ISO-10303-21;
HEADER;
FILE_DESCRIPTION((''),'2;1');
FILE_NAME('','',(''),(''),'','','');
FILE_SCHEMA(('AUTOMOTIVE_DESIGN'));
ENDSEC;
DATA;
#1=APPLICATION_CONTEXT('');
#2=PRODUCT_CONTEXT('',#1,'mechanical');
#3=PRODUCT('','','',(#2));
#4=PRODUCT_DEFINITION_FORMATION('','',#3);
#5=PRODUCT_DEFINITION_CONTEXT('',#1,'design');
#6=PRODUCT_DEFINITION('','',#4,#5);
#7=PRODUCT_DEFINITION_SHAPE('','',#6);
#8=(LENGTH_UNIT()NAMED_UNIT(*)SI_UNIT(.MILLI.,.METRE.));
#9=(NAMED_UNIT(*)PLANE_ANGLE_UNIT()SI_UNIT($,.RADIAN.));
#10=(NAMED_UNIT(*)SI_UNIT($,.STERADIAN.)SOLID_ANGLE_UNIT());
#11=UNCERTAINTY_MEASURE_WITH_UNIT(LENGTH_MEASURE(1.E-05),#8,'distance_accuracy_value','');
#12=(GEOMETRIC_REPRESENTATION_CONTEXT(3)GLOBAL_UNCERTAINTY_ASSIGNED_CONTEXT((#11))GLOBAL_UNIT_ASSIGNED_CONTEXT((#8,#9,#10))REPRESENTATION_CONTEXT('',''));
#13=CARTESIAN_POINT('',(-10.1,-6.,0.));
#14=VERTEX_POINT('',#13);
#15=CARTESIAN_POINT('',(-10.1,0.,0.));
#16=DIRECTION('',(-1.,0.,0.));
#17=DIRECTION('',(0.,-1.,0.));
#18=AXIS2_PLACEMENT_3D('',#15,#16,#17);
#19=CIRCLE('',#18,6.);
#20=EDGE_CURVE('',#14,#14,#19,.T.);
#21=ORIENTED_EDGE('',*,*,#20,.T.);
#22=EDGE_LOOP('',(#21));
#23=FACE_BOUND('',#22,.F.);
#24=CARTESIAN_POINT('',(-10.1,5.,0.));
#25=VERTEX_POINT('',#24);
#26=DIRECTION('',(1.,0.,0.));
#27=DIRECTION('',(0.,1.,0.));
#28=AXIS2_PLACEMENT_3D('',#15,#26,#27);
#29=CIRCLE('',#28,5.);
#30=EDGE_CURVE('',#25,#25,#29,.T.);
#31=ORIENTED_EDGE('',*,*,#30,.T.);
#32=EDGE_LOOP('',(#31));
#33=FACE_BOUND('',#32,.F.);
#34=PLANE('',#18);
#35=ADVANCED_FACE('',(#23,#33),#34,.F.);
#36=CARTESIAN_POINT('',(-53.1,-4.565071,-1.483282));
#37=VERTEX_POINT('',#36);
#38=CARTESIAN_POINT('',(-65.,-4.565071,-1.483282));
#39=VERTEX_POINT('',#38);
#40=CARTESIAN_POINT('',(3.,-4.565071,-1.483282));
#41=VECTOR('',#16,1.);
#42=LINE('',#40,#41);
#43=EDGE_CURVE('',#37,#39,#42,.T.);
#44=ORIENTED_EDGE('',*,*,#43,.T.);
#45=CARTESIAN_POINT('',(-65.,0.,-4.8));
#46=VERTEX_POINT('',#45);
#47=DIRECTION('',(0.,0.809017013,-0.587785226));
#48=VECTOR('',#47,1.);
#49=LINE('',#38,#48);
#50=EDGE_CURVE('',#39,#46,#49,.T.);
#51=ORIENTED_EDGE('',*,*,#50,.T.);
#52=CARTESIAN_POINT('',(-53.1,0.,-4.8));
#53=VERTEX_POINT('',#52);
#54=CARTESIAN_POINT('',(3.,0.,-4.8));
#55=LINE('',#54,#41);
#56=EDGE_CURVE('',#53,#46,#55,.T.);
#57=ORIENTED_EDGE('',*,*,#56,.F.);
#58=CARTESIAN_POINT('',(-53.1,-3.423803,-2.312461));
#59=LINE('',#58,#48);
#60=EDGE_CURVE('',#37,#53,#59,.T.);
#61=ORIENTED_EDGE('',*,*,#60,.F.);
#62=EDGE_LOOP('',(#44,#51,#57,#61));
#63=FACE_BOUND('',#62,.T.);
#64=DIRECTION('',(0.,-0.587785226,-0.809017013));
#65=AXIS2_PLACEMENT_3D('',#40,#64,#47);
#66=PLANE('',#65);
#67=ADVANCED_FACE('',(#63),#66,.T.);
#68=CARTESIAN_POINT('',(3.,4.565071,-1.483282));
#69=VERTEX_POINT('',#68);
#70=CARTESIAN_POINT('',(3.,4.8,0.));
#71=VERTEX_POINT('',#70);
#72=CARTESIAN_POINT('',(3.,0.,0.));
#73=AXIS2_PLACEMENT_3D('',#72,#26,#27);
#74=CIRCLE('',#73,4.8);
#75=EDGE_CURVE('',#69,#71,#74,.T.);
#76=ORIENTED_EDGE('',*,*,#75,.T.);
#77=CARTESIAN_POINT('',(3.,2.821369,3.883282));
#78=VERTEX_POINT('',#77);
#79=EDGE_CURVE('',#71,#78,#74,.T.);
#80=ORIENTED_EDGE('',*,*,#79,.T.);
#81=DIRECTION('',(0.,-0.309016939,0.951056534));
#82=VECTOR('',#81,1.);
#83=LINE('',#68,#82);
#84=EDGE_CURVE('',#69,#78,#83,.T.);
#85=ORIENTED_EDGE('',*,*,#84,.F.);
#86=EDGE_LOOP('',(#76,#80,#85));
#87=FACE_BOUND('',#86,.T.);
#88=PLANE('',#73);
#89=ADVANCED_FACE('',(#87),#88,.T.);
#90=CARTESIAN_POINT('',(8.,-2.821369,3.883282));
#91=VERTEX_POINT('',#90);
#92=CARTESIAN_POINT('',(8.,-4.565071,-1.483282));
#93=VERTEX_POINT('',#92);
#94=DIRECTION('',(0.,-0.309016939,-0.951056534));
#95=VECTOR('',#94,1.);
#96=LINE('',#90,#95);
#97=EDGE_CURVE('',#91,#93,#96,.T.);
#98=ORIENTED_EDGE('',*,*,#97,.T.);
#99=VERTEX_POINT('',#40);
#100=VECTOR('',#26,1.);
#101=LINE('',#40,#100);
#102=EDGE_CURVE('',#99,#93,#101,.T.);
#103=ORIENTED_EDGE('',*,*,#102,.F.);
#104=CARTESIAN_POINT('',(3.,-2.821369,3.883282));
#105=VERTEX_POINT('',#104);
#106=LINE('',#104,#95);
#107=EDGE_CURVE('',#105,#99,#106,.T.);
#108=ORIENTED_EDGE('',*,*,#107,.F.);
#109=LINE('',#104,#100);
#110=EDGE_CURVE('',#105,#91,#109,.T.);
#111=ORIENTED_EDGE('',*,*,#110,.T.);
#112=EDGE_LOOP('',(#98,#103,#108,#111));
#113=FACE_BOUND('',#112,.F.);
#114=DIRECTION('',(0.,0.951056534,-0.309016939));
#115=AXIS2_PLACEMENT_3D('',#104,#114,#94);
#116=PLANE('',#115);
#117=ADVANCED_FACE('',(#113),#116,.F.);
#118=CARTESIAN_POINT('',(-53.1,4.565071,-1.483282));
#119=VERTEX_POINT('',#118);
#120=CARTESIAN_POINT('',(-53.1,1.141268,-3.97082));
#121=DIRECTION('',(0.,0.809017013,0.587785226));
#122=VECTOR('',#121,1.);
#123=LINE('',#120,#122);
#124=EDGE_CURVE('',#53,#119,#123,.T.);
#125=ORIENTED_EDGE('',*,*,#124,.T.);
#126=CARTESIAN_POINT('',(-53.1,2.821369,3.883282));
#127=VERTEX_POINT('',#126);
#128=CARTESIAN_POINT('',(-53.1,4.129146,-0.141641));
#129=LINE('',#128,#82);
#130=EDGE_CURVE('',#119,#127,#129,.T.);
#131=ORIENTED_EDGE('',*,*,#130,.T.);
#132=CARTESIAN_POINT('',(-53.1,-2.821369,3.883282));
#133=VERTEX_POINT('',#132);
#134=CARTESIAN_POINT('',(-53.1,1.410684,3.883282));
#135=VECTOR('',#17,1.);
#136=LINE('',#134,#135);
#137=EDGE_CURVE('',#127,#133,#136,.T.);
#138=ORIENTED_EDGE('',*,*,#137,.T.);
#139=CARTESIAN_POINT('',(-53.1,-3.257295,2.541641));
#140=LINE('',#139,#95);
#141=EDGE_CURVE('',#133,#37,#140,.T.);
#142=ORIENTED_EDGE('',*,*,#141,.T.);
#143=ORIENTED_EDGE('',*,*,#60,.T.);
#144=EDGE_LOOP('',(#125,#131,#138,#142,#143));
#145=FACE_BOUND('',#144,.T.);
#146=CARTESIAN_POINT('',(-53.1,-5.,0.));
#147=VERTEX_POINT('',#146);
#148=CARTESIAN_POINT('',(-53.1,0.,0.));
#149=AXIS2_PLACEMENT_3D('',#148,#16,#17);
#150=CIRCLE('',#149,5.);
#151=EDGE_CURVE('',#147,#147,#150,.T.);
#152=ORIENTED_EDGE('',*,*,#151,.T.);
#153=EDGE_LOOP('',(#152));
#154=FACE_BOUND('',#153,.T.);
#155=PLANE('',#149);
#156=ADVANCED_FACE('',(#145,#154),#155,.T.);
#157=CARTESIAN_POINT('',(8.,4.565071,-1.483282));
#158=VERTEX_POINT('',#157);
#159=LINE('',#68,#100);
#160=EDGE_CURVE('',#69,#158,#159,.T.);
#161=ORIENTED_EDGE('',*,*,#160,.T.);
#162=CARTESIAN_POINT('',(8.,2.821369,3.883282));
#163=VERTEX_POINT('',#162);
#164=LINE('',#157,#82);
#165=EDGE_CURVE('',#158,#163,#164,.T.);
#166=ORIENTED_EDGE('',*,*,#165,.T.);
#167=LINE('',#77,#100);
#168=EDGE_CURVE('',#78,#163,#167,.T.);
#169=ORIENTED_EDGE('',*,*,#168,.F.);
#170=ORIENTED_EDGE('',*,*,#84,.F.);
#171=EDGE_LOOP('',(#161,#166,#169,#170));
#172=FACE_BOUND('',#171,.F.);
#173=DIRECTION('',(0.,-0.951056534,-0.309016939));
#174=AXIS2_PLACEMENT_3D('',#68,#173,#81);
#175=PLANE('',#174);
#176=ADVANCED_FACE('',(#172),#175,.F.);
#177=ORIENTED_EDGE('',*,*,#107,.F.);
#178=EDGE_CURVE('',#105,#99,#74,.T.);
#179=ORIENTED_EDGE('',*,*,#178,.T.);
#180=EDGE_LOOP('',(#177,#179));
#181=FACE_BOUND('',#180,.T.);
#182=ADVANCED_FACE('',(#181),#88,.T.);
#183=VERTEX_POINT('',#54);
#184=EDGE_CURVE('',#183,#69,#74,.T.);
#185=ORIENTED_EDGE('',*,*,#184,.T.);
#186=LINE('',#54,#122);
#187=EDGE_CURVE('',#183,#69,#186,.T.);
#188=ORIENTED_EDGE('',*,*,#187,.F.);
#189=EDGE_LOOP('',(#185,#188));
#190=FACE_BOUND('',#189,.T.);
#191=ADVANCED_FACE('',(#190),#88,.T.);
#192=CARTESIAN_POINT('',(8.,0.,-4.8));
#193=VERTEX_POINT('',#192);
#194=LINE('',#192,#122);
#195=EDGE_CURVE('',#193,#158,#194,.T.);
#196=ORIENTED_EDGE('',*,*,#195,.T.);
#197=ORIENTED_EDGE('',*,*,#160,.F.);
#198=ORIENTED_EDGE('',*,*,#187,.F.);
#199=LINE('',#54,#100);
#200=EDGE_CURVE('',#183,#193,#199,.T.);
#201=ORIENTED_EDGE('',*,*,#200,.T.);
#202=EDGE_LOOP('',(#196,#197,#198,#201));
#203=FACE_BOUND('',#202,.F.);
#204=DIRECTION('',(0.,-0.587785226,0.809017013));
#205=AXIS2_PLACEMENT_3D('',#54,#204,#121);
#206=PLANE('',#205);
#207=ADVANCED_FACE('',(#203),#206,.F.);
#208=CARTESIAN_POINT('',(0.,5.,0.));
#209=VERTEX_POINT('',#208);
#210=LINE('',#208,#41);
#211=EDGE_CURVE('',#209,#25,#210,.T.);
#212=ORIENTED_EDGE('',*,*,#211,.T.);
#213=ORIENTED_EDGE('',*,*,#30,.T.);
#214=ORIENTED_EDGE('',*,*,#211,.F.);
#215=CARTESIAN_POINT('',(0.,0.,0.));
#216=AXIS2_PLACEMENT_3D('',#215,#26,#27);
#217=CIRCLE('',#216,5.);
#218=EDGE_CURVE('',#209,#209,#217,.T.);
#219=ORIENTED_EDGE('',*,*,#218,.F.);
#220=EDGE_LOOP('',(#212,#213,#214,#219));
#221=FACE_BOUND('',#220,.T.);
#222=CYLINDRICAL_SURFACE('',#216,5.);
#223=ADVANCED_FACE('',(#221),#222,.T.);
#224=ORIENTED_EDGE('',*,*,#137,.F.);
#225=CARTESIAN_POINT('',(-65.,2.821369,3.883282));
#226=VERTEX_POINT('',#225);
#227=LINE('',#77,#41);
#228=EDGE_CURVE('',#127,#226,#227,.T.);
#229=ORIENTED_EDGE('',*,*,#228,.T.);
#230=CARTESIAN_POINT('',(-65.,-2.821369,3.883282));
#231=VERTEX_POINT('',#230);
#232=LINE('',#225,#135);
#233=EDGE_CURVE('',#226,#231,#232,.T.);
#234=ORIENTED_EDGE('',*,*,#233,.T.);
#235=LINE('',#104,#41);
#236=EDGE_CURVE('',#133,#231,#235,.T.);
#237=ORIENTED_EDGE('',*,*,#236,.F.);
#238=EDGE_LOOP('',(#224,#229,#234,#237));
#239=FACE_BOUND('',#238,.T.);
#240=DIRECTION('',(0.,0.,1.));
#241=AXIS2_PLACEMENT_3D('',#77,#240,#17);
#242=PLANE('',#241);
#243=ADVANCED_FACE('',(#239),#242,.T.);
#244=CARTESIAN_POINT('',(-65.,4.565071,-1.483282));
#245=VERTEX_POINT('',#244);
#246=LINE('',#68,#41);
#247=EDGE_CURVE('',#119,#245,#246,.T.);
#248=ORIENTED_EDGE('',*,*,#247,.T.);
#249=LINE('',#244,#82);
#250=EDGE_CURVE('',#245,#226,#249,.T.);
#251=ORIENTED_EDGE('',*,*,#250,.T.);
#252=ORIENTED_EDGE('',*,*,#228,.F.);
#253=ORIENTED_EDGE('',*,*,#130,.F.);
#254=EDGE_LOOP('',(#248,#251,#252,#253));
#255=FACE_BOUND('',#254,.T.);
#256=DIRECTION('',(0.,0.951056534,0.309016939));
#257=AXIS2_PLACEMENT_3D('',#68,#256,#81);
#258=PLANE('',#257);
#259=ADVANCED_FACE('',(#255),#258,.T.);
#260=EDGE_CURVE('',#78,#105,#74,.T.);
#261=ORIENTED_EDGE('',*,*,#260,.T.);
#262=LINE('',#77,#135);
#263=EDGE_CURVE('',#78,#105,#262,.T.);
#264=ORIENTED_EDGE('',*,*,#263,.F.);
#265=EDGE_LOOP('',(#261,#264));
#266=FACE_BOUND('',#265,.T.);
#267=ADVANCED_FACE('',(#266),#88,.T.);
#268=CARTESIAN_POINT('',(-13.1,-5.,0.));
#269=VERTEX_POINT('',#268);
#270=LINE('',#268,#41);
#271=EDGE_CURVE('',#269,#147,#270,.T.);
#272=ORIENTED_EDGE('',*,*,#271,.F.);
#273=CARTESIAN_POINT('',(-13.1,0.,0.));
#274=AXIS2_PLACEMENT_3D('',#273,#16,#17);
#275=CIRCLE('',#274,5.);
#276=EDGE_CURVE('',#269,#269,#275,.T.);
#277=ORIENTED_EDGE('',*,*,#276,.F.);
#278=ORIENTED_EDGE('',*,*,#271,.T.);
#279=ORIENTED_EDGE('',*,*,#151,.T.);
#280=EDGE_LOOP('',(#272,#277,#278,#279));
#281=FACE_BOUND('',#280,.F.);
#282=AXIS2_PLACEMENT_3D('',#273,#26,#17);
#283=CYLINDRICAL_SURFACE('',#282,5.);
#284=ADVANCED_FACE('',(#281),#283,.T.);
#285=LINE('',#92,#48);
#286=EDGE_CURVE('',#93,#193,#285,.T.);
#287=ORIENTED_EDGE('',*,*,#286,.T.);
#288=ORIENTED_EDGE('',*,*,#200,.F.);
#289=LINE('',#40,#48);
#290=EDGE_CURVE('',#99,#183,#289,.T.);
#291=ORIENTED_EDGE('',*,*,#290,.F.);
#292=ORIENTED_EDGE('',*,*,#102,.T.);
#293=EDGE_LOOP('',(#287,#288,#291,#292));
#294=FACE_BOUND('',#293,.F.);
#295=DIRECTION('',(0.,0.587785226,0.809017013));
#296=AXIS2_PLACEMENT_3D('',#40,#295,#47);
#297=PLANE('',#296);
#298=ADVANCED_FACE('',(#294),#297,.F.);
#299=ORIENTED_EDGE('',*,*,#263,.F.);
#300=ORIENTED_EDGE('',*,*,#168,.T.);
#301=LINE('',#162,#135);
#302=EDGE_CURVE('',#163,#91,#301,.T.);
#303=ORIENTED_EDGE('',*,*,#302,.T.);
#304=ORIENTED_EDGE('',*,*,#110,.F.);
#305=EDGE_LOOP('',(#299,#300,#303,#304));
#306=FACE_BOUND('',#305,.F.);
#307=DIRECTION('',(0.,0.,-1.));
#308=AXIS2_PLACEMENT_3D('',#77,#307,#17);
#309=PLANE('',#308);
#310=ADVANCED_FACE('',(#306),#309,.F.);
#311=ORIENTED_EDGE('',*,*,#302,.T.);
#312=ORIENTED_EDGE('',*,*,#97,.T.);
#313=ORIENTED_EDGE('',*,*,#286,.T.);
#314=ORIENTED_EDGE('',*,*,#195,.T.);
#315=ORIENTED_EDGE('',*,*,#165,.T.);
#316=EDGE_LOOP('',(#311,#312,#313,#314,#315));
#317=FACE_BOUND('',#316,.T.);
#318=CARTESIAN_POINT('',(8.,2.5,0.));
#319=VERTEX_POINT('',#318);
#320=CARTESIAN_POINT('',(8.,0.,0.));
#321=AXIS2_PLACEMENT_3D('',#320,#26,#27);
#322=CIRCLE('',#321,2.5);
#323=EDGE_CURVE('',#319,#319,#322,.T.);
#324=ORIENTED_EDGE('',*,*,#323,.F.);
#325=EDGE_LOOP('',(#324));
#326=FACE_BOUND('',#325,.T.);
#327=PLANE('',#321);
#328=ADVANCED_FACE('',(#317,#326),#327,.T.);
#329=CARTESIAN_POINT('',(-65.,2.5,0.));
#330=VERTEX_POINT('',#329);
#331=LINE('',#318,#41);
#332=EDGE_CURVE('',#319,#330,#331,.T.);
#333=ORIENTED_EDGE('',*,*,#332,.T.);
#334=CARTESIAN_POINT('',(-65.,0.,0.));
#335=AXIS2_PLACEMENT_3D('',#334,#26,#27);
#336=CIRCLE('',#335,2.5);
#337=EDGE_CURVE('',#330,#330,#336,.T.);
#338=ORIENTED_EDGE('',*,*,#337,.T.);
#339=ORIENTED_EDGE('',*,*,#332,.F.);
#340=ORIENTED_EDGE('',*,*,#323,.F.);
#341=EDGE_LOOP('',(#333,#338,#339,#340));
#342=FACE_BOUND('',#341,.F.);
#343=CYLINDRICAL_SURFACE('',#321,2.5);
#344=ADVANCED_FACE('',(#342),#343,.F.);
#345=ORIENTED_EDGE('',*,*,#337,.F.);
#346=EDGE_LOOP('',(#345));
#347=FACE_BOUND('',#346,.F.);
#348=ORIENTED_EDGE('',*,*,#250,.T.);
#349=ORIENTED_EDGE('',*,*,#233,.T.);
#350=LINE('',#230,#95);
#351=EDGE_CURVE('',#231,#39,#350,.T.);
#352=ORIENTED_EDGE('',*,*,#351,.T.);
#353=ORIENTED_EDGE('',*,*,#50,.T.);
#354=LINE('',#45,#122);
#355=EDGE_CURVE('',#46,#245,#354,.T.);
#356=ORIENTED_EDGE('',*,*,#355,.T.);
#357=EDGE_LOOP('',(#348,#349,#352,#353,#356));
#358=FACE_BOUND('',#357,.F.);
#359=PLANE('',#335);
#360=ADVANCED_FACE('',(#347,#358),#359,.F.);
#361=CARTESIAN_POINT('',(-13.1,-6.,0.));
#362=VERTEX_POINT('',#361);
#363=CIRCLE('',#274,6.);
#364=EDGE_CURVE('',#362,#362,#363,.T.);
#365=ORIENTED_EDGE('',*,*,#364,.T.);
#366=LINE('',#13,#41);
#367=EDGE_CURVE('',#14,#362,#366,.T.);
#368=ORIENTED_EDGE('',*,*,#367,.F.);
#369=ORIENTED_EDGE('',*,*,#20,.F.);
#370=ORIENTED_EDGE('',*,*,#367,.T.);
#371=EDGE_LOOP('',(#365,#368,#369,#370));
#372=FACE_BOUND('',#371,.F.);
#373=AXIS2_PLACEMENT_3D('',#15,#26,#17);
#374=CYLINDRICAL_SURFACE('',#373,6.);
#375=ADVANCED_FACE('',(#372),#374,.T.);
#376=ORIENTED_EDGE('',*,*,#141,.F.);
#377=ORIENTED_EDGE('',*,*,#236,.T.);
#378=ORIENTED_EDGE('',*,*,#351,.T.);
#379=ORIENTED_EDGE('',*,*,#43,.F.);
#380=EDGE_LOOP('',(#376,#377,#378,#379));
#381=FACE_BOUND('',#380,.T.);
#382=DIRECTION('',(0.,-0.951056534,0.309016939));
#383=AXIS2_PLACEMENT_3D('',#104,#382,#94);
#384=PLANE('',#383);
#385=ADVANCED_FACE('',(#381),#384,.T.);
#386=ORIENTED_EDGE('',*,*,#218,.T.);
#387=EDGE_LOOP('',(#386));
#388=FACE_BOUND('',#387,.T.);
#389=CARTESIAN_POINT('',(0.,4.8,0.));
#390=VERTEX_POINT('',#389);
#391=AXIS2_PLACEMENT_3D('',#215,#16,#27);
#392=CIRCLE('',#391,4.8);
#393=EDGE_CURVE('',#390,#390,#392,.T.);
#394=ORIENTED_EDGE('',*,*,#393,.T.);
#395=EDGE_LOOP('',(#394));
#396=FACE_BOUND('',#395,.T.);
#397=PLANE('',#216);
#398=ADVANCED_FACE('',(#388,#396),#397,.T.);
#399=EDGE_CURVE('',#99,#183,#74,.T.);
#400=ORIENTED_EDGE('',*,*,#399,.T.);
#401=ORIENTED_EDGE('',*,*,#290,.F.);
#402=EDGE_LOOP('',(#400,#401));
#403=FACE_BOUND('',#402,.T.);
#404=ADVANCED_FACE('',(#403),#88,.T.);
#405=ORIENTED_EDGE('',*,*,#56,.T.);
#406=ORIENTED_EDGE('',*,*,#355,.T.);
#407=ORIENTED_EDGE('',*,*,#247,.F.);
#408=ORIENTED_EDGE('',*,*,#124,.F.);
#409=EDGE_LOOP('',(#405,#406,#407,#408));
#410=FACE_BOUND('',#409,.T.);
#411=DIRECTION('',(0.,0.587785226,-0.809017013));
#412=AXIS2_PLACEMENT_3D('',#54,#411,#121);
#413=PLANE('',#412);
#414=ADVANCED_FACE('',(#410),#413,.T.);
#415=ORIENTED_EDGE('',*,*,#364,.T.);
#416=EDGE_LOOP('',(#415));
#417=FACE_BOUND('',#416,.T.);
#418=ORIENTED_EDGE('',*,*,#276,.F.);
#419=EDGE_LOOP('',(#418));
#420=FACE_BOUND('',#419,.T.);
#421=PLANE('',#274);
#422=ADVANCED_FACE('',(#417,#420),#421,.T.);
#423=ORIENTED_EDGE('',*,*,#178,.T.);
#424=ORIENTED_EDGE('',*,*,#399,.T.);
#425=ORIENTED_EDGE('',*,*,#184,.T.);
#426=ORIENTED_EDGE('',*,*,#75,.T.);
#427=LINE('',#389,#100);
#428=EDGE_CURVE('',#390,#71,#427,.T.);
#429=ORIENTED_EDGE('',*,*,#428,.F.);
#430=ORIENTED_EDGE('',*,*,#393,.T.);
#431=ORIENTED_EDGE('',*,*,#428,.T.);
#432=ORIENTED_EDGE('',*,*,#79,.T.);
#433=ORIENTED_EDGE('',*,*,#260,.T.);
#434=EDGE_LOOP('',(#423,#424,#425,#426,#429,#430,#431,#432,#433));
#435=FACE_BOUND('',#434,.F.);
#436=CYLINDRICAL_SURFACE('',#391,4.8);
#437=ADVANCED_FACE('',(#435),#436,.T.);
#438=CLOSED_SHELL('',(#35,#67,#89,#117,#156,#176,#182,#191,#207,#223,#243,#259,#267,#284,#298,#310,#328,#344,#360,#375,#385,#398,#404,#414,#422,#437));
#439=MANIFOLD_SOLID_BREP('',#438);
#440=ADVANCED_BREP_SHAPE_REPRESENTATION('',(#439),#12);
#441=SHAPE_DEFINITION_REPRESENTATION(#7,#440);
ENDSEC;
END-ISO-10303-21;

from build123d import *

# Parameters (mm, degrees)
F0_R          = 5
F1_DEPTH      = 10.1
F2_R          = 4.8
F3_DEPTH      = 3
F5_DEPTH      = 5
F5_DEPTH_BACK = 68
F6_R          = 6
F7_DEPTH      = 3
F8_R          = 5
F9_DEPTH      = 40
F10_R         = 2.5
F11_DEPTH     = 80


with BuildPart() as f1:
    # F0 (on Right) → F1 (new body)
    with BuildSketch(Plane.YZ):
        Circle(F0_R)
    extrude(amount=-F1_DEPTH)

    # F2 (on face) → F3 (join)
    with BuildSketch(Plane.YZ):
        Circle(F2_R)
    extrude(amount=F3_DEPTH)

    # F4 (on face) → F5 (join, two sides)
    with BuildSketch(Plane.YZ.offset(3)) as f5_sk:
        Polygon((-4.565071, -1.483282), (0, -4.8), (4.565071, -1.483282), (2.821369, 3.883282), (-2.821369, 3.883282), align=None)
    extrude(amount=F5_DEPTH)
    extrude(f5_sk.sketch, amount=-F5_DEPTH_BACK)

    # F6 (on face) → F7 (join)
    with BuildSketch(Plane(origin=(-10.1, 0, 0), x_dir=(0, -1, 0), z_dir=(-1, 0, 0))):
        Circle(F6_R)
    extrude(amount=F7_DEPTH)

    # F8 (on face) → F9 (join)
    with BuildSketch(Plane(origin=(-13.1, 0, 0), x_dir=(0, -1, 0), z_dir=(-1, 0, 0))):
        Circle(F8_R)
    extrude(amount=F9_DEPTH)

    # F10 (on face) → F11 (cut)
    with BuildSketch(Plane.YZ.offset(8)):
        Circle(F10_R)
    extrude(amount=-F11_DEPTH, mode=Mode.SUBTRACT)


solid = f1.part
